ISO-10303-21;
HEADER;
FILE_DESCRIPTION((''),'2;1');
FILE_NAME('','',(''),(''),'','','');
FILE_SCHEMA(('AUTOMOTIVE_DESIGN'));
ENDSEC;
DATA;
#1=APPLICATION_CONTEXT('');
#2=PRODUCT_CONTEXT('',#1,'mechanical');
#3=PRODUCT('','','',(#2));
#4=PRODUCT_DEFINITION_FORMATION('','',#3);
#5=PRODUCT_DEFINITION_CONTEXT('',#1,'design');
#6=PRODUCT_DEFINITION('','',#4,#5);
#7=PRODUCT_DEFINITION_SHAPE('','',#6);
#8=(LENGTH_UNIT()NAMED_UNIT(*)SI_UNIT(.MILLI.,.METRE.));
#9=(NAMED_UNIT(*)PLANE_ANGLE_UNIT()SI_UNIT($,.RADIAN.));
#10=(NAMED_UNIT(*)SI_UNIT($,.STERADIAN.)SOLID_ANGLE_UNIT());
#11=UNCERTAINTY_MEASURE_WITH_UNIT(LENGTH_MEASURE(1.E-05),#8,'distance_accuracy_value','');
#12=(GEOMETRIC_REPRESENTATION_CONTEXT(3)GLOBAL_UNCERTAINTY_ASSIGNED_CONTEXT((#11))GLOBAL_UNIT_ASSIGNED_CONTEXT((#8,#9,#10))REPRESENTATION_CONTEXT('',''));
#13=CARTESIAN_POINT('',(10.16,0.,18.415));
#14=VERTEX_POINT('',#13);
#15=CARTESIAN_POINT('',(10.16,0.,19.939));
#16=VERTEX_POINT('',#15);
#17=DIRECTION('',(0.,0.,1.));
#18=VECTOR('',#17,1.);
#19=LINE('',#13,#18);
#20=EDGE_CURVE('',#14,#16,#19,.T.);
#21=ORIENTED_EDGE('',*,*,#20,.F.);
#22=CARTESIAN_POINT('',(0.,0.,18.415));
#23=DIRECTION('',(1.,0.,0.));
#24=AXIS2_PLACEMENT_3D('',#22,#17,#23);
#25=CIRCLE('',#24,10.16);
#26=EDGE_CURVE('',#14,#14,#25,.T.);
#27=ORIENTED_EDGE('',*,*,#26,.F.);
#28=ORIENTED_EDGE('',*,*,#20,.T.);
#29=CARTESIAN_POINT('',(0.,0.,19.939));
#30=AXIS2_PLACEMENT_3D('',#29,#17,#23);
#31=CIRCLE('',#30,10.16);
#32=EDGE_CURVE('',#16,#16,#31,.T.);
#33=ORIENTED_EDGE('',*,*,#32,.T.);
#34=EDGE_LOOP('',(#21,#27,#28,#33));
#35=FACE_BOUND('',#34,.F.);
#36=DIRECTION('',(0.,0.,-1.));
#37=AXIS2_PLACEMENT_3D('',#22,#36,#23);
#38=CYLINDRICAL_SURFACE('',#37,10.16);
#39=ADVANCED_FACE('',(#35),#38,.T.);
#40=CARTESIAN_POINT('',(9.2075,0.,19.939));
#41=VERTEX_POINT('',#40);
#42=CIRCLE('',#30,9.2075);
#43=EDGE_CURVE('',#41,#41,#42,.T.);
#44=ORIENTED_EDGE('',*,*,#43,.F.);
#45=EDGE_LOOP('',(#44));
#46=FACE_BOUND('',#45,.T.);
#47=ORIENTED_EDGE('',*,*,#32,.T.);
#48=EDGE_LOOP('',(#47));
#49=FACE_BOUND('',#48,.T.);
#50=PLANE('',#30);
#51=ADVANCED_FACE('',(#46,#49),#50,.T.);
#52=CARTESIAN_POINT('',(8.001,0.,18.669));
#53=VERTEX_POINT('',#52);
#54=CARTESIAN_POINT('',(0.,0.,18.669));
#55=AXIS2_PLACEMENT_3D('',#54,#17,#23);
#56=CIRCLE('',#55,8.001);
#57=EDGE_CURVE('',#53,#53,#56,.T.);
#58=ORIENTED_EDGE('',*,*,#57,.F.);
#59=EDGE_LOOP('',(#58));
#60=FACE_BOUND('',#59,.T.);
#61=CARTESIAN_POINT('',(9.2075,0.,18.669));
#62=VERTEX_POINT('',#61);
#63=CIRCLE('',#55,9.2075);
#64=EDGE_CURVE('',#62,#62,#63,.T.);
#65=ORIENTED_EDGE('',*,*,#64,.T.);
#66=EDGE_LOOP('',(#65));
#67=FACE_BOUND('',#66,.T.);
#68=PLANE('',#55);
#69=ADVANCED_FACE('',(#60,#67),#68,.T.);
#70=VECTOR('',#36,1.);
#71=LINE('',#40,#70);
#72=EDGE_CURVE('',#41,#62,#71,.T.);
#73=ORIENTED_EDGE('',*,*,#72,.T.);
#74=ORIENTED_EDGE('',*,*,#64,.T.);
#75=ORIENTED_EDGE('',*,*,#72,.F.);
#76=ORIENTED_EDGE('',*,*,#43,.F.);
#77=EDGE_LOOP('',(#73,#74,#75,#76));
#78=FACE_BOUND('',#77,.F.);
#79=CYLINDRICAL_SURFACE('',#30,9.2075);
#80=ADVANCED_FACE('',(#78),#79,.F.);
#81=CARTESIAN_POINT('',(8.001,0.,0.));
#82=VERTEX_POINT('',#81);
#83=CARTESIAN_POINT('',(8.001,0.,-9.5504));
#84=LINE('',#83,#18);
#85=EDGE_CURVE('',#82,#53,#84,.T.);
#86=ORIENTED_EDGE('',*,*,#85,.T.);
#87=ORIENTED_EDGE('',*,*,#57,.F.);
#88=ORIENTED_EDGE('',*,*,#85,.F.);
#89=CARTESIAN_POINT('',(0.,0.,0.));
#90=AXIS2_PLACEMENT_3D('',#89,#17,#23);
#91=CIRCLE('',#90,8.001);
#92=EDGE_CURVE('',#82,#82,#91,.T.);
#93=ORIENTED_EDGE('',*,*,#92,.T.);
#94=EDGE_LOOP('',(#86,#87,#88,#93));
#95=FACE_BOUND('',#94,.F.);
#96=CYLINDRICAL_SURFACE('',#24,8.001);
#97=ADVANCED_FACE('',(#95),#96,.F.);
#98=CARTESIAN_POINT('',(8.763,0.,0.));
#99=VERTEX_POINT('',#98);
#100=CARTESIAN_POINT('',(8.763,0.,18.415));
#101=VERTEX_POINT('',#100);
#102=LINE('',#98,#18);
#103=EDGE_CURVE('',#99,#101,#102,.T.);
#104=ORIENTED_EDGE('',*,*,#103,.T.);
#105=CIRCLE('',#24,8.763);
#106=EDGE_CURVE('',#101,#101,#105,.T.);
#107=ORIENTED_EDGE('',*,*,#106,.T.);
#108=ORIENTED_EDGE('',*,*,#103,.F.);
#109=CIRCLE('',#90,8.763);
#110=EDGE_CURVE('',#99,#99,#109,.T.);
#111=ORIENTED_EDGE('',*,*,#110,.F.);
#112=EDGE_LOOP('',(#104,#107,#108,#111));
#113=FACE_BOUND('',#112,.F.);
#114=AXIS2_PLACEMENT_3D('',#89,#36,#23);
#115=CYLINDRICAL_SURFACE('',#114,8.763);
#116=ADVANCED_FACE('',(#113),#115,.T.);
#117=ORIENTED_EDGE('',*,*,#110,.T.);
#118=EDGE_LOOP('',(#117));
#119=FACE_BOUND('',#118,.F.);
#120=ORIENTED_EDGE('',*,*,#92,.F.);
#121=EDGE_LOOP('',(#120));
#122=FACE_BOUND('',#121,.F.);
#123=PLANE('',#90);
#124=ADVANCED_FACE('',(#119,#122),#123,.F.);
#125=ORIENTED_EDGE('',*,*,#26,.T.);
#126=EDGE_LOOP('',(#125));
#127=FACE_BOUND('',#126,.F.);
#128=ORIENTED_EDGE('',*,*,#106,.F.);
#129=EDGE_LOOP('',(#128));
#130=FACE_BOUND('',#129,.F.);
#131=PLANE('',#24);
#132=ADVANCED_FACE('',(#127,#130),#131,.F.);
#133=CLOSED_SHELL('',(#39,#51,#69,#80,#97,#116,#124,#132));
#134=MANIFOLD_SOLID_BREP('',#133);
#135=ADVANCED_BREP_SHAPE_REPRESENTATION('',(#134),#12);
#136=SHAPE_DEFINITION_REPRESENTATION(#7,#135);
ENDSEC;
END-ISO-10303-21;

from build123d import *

# Parameters (mm, degrees)
F0_R     = 8.763
F1_DEPTH = 18.415
F3_R     = 10.16
F4_DEPTH = 1.524
F2_R     = 8.001
F5_DEPTH = 27.9654
F6_R     = 9.2075
F7_DEPTH = 1.27


with BuildPart() as f1:
    # F0 (on Top) → F1 (new body)
    with BuildSketch(Plane.XY):
        Circle(F0_R)
    extrude(amount=F1_DEPTH)

    # F3 (on face) → F4 (join)
    with BuildSketch(Plane.XY.offset(18.415)):
        Circle(F3_R)
    extrude(amount=F4_DEPTH)

    # F2 (on face) → F5 (cut, symmetric)
    with BuildSketch(Plane.XY.offset(18.415)):
        Circle(F2_R)
    extrude(amount=F5_DEPTH, both=True, mode=Mode.SUBTRACT)

    # F6 (on face) → F7 (cut)
    with BuildSketch(Plane.XY.offset(19.939)):
        Circle(F6_R)
    extrude(amount=-F7_DEPTH, mode=Mode.SUBTRACT)


solid = f1.part
